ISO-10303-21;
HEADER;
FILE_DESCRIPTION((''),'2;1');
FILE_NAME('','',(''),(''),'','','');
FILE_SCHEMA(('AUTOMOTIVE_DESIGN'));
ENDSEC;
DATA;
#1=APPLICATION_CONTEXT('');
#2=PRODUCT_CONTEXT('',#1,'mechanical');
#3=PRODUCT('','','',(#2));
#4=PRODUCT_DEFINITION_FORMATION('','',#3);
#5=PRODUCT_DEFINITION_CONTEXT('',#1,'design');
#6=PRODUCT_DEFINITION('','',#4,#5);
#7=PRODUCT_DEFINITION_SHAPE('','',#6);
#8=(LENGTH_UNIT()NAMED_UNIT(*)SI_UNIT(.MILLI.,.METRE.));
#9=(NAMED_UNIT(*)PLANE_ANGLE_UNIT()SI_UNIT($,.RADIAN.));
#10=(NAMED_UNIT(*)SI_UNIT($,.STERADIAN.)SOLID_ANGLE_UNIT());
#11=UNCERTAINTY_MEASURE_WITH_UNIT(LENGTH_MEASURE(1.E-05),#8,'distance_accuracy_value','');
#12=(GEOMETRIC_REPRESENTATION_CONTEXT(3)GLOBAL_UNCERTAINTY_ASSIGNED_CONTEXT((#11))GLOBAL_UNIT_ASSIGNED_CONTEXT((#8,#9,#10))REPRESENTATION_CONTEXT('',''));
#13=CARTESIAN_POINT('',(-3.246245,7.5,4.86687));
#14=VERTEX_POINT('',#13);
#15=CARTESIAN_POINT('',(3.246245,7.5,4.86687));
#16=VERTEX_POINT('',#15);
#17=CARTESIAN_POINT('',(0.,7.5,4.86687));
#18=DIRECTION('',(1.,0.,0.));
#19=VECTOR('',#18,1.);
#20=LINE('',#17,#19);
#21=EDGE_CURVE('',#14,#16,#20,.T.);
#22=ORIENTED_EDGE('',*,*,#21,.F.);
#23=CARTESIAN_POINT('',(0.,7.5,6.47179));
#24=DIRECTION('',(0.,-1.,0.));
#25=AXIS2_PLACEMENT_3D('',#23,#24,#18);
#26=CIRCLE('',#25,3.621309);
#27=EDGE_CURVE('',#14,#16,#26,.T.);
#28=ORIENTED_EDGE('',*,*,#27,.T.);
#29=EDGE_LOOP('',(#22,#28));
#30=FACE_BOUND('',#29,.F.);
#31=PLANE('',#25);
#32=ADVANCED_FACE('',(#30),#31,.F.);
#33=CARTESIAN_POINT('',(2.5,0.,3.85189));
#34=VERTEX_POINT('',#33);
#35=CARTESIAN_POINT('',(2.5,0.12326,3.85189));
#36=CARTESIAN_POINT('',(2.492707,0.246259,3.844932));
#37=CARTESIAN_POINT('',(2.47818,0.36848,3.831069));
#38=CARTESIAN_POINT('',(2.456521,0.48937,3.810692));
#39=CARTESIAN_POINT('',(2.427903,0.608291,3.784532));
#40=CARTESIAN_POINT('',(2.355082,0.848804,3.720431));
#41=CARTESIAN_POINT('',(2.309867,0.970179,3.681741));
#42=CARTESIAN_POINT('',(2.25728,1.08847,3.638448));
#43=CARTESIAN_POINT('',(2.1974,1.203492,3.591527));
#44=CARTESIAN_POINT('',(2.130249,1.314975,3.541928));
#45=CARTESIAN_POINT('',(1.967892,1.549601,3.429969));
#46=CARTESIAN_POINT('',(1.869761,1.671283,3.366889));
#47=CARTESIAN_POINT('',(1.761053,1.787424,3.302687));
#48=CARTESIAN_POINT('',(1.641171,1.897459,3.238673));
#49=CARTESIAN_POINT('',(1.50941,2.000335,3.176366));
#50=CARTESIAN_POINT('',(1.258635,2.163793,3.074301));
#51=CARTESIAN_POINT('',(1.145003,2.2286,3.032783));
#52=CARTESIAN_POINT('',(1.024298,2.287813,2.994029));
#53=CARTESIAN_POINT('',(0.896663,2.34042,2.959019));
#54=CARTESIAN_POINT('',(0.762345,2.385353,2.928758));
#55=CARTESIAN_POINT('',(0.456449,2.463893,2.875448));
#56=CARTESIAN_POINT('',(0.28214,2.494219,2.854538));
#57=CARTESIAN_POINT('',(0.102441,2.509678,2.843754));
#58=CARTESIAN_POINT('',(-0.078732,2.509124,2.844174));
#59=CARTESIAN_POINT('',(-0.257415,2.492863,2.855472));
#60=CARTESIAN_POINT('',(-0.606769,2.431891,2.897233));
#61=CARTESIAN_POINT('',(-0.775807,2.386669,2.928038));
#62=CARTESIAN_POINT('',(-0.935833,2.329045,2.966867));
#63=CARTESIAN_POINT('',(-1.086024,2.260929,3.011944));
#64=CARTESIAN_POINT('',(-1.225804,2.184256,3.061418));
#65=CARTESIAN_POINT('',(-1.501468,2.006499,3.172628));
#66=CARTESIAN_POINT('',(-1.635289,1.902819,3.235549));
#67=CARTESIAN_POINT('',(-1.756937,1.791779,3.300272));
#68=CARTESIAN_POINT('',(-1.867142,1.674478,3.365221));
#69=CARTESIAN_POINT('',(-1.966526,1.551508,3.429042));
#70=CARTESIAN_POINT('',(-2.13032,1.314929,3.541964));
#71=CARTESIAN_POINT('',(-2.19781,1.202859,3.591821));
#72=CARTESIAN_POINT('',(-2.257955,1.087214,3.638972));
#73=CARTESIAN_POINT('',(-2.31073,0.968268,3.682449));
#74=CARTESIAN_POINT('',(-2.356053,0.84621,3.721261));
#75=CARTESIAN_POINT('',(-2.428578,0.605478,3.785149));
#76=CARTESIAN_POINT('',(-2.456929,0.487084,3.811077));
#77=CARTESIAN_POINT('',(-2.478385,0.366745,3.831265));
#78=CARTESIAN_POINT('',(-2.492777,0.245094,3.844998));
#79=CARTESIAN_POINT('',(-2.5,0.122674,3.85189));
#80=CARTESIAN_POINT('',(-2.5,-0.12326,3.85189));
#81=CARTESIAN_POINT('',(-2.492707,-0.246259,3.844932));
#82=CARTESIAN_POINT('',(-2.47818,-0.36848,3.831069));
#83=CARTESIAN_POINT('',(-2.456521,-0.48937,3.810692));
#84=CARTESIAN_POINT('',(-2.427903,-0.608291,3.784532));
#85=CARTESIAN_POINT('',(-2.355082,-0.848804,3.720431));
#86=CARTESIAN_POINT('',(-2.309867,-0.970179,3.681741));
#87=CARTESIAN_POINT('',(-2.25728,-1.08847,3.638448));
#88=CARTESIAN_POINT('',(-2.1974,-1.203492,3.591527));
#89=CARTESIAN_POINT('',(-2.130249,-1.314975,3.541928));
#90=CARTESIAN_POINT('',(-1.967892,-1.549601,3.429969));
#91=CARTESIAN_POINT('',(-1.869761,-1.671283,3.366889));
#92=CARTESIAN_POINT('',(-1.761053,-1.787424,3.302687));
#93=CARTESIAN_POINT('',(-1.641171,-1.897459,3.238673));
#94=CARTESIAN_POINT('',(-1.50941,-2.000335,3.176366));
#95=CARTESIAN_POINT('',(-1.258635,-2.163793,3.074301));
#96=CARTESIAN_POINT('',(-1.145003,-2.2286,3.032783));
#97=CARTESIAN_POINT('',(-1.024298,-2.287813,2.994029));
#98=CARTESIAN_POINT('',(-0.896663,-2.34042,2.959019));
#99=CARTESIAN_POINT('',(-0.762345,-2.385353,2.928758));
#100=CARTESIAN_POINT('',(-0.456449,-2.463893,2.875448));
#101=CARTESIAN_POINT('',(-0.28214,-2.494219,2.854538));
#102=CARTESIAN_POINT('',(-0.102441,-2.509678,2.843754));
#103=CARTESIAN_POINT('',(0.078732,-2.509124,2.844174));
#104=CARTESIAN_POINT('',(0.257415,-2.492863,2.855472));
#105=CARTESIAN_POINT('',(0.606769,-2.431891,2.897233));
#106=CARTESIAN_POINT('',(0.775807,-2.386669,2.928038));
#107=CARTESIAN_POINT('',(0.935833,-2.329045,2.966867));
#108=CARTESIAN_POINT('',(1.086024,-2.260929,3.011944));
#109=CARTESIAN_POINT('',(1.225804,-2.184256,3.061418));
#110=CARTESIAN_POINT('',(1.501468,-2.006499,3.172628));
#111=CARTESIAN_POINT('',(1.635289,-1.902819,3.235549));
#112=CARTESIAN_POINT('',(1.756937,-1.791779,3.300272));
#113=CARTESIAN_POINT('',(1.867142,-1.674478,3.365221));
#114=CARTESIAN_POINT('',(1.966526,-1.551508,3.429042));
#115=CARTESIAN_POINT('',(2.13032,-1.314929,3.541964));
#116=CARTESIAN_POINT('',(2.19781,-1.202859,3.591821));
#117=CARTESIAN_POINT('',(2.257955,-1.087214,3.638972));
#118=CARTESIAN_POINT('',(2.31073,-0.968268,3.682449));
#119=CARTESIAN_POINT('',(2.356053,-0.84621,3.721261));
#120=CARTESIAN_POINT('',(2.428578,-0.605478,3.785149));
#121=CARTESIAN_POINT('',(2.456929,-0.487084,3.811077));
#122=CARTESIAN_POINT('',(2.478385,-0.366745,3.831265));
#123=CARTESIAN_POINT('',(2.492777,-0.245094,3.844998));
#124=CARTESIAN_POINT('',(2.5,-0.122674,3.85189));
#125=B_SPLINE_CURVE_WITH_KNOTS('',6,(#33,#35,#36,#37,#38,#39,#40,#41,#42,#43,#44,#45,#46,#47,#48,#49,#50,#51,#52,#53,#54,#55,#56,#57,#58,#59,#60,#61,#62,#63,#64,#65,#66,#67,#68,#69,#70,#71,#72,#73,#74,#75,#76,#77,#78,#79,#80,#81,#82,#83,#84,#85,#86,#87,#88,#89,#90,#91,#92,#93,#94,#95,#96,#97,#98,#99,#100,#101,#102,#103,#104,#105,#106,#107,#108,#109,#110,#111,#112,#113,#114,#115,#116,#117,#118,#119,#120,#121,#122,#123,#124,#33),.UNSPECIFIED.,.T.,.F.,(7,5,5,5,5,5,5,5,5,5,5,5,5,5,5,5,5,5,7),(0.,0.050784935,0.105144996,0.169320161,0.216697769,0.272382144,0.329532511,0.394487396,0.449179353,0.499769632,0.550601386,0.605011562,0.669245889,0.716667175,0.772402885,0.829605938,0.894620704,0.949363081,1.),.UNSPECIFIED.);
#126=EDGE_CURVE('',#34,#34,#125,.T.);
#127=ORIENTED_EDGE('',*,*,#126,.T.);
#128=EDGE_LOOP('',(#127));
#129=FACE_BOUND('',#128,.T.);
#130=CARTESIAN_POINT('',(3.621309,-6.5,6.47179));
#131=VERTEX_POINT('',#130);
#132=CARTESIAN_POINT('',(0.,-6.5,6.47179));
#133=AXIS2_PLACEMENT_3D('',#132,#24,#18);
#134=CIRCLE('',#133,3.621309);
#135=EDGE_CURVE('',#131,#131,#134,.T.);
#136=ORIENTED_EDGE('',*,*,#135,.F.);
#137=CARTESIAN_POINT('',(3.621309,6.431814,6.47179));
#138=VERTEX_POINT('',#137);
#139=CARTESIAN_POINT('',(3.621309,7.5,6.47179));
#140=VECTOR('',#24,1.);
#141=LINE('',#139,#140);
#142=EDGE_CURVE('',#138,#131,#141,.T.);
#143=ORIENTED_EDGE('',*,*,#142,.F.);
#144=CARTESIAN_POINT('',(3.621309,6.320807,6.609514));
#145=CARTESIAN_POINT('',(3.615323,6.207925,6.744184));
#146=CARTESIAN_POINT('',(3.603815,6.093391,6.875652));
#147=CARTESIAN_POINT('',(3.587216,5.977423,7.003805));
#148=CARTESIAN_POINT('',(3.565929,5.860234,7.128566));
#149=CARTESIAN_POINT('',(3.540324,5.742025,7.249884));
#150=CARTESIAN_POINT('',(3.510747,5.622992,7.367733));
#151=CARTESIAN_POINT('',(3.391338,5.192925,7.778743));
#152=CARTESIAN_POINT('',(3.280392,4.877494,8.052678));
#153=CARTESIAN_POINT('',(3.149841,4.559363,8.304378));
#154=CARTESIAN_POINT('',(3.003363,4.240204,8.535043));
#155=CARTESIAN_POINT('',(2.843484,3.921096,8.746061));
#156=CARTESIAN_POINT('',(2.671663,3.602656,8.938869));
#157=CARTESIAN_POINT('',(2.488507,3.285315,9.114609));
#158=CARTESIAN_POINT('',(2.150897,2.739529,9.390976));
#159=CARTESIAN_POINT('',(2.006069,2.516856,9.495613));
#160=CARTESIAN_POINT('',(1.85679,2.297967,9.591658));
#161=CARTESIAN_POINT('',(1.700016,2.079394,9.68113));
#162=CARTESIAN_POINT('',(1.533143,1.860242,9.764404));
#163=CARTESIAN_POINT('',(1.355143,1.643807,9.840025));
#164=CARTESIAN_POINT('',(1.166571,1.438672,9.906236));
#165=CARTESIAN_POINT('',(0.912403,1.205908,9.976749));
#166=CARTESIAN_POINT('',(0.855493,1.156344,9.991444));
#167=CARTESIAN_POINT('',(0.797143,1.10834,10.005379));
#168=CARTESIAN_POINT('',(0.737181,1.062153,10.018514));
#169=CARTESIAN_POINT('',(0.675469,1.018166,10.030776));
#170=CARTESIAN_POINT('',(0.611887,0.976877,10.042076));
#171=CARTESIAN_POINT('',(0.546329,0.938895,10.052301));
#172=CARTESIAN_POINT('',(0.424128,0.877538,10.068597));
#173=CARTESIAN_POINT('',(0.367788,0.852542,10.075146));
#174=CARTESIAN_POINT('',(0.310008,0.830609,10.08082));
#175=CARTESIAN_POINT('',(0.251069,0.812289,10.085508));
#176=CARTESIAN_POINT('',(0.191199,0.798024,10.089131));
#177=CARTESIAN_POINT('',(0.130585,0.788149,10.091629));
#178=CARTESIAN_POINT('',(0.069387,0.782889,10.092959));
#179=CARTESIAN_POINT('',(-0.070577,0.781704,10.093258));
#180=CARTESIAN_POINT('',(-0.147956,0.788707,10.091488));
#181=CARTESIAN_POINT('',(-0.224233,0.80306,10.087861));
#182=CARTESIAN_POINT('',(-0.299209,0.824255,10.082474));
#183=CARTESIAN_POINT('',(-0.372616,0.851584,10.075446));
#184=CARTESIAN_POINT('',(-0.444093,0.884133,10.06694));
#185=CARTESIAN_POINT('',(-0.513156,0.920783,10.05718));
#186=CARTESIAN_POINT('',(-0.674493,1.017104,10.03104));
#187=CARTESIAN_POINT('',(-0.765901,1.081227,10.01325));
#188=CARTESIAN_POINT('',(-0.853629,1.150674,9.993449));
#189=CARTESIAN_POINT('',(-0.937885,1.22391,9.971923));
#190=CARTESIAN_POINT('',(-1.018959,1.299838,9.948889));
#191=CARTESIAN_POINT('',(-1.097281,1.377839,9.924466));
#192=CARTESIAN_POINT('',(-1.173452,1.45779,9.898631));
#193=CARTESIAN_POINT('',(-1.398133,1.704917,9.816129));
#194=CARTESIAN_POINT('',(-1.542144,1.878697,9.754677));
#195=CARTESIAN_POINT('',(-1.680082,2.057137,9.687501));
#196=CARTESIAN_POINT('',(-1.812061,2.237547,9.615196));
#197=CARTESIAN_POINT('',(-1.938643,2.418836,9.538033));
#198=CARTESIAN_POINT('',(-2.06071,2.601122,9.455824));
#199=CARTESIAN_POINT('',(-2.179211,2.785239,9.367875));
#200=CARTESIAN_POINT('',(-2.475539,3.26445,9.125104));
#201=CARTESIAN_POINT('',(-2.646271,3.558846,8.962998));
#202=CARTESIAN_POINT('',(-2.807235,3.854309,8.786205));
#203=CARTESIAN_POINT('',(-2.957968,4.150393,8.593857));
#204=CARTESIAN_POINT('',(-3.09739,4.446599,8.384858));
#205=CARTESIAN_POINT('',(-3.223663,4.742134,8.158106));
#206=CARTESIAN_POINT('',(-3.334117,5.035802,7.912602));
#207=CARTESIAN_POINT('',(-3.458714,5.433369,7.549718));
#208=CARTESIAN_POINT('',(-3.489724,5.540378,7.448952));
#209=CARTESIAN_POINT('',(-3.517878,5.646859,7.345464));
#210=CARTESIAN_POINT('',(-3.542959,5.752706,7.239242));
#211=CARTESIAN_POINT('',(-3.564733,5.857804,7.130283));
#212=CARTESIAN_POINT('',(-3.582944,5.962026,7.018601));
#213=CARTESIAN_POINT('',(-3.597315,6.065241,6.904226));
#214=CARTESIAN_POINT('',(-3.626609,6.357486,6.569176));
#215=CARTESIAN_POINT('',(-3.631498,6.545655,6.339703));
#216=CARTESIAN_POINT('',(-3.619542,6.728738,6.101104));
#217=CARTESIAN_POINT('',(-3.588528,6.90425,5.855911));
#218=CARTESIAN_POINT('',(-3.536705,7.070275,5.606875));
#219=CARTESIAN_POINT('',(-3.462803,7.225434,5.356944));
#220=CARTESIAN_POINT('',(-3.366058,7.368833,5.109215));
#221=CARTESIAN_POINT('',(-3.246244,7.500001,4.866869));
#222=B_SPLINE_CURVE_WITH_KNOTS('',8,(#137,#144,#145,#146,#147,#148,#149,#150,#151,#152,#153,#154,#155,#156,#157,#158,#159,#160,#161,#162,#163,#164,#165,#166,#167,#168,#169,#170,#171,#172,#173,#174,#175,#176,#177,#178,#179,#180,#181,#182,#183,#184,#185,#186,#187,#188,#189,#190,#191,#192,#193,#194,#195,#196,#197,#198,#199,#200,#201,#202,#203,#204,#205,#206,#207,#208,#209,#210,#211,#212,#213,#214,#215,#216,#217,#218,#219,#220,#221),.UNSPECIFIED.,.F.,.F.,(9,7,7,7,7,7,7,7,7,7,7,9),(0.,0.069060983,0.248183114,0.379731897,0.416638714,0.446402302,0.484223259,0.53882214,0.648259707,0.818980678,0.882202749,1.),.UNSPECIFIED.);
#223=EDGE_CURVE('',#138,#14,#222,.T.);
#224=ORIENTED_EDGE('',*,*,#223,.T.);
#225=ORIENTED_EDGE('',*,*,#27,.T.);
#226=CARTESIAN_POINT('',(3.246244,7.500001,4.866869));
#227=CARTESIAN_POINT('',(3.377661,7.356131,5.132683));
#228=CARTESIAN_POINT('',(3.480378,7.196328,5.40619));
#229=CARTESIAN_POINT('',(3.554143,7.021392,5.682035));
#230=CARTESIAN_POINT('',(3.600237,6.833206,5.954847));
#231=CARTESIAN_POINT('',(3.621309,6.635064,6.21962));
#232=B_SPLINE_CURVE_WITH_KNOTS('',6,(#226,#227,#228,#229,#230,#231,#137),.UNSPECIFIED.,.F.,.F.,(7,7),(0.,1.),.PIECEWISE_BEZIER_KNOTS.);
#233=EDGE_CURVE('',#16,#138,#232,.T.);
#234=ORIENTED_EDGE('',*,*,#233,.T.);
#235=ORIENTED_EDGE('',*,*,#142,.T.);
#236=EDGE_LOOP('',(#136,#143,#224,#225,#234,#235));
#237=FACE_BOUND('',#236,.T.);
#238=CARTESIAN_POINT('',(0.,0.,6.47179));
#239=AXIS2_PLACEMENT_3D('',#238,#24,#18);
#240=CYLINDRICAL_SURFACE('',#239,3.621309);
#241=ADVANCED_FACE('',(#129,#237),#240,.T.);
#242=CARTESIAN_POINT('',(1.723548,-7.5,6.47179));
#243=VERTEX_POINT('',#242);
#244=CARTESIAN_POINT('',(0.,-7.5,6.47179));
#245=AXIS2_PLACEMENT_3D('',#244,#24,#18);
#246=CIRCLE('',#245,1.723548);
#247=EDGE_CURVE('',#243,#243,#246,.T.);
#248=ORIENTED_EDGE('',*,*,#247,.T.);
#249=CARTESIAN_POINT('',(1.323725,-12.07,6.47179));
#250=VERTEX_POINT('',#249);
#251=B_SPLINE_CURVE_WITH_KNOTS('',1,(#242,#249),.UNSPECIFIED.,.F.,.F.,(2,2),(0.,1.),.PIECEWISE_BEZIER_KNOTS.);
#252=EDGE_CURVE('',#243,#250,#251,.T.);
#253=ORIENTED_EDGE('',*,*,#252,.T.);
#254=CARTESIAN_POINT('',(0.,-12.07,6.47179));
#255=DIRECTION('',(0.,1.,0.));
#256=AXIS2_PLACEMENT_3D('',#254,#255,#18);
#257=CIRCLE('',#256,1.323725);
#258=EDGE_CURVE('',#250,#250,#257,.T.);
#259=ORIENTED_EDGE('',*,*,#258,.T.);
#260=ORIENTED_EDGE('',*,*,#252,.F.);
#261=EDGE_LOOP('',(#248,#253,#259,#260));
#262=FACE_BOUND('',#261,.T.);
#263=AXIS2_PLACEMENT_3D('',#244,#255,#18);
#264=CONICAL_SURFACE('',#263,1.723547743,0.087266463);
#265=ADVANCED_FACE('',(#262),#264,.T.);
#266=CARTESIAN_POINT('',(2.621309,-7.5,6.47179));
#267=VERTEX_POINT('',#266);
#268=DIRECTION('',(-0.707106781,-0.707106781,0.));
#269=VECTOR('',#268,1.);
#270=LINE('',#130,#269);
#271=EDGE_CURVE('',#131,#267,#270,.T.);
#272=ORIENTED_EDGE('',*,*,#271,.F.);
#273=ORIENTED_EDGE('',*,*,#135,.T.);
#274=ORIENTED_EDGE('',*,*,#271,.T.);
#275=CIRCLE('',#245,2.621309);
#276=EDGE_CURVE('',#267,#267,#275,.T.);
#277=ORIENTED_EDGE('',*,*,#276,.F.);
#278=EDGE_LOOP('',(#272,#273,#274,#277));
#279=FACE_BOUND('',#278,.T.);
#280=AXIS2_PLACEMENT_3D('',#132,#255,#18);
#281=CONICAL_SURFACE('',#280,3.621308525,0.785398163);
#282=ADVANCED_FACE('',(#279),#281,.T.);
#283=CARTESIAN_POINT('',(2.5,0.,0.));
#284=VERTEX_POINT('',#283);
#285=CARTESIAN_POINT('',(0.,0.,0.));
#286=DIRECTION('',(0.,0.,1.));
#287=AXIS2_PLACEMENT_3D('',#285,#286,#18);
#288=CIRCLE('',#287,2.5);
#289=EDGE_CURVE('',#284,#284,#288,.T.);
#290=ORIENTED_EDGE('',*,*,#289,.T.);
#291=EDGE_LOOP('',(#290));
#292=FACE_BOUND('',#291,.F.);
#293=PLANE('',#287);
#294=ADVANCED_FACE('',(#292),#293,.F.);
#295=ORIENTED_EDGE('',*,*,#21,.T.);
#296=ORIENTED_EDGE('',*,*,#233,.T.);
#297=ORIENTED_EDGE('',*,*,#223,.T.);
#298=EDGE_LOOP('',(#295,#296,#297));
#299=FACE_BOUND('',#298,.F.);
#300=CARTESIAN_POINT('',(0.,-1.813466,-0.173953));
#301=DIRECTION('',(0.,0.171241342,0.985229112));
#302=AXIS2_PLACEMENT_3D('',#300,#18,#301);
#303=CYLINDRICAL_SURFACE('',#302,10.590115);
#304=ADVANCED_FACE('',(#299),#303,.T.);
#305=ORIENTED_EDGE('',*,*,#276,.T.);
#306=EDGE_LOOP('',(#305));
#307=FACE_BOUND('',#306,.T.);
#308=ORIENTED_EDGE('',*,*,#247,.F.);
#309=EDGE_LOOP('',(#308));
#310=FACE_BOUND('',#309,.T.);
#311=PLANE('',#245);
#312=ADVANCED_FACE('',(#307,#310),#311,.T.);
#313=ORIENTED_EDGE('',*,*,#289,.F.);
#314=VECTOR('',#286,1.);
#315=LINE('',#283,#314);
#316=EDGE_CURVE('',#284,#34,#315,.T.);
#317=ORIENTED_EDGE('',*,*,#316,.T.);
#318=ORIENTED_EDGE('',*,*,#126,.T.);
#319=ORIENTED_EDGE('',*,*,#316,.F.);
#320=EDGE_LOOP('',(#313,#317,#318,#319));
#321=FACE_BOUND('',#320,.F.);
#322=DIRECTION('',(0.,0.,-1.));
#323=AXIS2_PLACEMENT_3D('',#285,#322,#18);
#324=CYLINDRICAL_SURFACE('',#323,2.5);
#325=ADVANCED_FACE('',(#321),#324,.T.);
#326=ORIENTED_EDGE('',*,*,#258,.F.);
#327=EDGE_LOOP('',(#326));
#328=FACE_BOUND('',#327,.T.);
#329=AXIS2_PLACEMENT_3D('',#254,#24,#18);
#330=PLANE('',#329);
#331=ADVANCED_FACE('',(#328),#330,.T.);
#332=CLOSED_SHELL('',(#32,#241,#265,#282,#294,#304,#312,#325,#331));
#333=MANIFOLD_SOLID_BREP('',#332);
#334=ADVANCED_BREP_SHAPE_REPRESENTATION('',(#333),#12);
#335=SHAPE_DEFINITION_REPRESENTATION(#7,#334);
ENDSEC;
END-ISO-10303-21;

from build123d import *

# Parameters (mm, degrees)
F0_R     = 2.5
F1_DEPTH = 7
F2_R     = 3.6213085246
F3_DEPTH = 7.5
F5_DEPTH = 12.5
F6_SIZE  = 1
F7_R     = 1.7235477432
F8_DEPTH = 4.57
F8_TAPER = 5


with BuildPart() as f1:
    # F0 (on Top) → F1 (new body)
    with BuildSketch(Plane.XY):
        Circle(F0_R)
    extrude(amount=F1_DEPTH)

    # F2 (on Front) → F3 (join, symmetric)
    with BuildSketch(Plane.XZ):
        with Locations((0, 6.4717903733)):
            Circle(F2_R)
    extrude(amount=F3_DEPTH, both=True)

    # F4 (on Right) → F5 (cut, symmetric)
    with BuildSketch(Plane.YZ):
        with BuildLine():
            ThreePointArc((0, 10.2597363293), (4.7557858598, 8.1323980884), (7.9216584563, 3.9947275072))
            Line((7.9216584563, 3.9947275072), (7.9610617831, 10.2597363293))
            Line((7.9610617831, 10.2597363293), (0, 10.2597363293))
        make_face()
    extrude(amount=F5_DEPTH, both=True, mode=Mode.SUBTRACT)

    # F6
    f6_edges = [f1.edges().sort_by_distance(p)[0] for p in [
        (-3.621309, -7.5, 6.47179),
    ]]
    chamfer(f6_edges, length=F6_SIZE)

    # F7 (on face) → F8 (join)
    with BuildSketch(Plane.XZ.offset(7.5)):
        with Locations((0, 6.4717903733)):
            Circle(F7_R)
    extrude(amount=F8_DEPTH, taper=F8_TAPER)


solid = f1.part
